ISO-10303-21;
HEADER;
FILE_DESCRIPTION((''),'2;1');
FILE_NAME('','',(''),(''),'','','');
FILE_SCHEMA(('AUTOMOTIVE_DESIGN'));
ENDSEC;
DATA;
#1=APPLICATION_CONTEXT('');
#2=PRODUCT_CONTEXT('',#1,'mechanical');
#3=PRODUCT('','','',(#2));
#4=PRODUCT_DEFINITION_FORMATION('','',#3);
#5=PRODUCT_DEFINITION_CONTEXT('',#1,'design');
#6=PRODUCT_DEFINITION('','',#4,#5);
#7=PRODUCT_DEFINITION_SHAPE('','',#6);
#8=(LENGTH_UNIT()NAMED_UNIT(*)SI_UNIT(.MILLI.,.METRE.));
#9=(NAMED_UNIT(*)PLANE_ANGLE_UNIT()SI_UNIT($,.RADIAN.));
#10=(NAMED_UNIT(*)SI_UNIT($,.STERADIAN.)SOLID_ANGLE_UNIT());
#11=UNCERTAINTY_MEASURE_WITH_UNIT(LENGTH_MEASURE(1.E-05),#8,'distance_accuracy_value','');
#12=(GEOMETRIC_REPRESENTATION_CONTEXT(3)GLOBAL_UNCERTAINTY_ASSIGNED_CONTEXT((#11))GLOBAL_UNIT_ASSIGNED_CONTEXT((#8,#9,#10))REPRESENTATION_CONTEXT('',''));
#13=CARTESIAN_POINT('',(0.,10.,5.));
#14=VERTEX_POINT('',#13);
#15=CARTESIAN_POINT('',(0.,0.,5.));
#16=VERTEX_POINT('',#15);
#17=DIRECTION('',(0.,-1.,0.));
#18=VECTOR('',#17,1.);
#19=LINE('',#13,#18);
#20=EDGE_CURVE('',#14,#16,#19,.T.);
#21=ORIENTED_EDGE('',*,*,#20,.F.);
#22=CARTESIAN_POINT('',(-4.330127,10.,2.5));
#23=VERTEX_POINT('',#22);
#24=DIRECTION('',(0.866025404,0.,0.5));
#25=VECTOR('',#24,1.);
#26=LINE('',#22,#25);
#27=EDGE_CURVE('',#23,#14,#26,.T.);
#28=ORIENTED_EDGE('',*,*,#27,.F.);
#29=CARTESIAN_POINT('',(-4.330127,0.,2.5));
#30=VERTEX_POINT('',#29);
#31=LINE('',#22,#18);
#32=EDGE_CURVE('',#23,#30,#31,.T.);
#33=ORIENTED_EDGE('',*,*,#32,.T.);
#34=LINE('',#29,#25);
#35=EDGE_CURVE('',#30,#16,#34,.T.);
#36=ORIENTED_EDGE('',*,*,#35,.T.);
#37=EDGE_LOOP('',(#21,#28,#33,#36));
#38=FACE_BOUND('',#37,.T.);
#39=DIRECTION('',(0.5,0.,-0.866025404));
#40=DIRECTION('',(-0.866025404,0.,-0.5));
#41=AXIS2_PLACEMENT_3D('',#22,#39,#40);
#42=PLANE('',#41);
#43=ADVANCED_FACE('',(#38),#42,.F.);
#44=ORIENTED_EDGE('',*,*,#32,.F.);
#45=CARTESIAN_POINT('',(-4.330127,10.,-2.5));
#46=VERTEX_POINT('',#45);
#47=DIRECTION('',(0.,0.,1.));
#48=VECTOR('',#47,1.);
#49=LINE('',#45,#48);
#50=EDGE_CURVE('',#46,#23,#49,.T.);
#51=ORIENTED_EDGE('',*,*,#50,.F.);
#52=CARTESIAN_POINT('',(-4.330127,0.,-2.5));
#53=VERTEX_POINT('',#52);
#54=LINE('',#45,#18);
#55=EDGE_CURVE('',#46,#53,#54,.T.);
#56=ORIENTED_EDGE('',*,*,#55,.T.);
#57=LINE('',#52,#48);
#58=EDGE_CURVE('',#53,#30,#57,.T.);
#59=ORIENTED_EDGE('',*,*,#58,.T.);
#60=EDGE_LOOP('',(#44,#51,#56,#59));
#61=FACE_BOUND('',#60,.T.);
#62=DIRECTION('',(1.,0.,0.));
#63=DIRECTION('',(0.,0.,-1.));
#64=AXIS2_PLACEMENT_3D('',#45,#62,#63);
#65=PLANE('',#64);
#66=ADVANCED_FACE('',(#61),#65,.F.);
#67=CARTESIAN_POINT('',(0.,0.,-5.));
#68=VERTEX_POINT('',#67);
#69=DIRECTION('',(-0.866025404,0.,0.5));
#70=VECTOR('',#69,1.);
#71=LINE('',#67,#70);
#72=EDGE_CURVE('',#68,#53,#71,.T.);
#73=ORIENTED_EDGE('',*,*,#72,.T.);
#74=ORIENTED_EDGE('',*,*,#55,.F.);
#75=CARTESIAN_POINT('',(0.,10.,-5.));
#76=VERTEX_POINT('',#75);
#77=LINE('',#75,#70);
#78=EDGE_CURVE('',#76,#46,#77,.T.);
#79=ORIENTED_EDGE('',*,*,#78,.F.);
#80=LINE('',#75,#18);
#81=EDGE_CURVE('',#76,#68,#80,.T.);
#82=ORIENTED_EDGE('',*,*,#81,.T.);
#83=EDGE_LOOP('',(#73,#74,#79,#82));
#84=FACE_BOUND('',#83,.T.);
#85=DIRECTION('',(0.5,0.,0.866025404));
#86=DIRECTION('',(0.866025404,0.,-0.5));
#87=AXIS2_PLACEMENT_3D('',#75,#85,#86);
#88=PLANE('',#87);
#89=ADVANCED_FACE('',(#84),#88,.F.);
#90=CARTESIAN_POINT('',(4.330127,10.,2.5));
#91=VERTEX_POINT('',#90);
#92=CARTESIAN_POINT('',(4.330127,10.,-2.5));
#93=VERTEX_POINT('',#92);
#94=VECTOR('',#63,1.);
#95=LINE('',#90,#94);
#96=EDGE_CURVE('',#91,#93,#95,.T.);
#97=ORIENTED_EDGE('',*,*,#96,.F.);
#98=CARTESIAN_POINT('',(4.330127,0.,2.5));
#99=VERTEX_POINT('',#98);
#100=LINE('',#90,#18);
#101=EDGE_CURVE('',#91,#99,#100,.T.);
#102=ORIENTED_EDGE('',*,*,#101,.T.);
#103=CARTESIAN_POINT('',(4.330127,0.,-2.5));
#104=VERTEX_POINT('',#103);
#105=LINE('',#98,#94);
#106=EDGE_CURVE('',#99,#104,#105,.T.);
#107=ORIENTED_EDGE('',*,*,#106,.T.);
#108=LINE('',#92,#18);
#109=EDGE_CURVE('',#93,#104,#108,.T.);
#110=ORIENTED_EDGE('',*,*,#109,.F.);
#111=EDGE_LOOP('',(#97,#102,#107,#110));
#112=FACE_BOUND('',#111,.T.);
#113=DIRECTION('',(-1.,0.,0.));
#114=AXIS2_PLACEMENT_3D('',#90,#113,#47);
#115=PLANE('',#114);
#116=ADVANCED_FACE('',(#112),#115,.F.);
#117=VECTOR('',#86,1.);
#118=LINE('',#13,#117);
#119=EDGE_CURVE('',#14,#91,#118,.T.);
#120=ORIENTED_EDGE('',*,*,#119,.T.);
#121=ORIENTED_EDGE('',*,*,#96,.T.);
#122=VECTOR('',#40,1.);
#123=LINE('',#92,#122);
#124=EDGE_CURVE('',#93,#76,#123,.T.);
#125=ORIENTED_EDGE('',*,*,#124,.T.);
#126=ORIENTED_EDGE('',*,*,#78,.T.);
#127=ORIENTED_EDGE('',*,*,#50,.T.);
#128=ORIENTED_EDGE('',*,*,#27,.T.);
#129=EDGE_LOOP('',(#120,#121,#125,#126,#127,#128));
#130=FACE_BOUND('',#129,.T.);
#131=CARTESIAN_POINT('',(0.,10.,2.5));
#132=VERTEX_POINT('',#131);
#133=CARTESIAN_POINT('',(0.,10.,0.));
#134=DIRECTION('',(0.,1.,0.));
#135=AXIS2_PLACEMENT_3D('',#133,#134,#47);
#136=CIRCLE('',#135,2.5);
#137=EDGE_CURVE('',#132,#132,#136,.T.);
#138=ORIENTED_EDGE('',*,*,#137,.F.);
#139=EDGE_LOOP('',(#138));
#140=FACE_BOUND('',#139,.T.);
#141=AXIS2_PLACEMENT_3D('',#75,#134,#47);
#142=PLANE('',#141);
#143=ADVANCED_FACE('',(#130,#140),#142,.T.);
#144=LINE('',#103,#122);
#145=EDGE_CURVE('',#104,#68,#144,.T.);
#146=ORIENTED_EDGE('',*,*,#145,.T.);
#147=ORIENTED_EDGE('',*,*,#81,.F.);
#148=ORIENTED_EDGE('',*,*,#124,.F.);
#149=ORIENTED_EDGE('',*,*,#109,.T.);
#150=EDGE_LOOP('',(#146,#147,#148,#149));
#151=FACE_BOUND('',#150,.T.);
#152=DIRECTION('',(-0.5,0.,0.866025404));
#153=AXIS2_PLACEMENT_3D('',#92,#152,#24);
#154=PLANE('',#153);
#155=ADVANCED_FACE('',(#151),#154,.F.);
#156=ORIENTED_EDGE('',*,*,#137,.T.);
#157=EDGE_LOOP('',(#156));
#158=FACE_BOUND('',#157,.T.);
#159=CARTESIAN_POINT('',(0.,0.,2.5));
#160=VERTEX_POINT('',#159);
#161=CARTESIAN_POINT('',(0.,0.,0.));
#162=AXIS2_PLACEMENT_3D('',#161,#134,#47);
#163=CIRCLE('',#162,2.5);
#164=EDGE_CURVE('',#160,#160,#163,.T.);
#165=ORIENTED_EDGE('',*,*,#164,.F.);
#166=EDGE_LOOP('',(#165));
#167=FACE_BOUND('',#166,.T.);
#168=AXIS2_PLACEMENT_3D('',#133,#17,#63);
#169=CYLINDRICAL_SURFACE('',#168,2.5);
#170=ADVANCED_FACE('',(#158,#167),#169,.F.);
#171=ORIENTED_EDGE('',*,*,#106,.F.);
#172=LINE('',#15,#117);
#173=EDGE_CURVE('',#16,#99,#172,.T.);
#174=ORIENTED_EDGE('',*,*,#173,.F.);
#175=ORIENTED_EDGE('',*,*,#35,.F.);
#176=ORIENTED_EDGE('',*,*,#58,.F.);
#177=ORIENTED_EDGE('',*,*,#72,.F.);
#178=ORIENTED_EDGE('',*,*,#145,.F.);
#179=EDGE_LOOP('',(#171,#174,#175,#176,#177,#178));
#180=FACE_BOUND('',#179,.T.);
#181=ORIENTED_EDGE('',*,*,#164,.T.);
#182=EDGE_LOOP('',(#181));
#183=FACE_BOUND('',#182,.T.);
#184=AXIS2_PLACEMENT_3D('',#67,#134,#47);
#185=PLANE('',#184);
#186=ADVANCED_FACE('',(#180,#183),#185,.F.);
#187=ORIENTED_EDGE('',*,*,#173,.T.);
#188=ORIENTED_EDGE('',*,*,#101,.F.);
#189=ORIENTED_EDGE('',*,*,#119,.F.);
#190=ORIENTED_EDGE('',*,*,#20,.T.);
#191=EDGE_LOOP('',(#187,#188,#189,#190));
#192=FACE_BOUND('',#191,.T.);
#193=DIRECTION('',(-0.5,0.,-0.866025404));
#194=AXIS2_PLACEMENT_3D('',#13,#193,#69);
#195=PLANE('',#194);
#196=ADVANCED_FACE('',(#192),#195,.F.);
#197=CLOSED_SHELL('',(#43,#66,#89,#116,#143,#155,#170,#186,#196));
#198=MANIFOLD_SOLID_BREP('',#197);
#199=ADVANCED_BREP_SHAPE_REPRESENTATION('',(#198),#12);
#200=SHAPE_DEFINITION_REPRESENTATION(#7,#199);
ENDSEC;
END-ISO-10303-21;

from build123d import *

# Parameters (mm, degrees)
ESQUISSE1_R      = 2.5
EXTRUSION1_DEPTH = 10


with BuildPart() as part:
    # Esquisse1 → Extrusion1 (new body)
    with BuildSketch(Plane(origin=(0, 0, 0), x_dir=(1, 0, 0), z_dir=(0, 1, 0))):
        Polygon((0, 5), (-4.330127019, 2.5), (-4.330127019, -2.5), (0, -5), (4.330127019, -2.5), (4.330127019, 2.5), align=None)
        Circle(ESQUISSE1_R, mode=Mode.SUBTRACT)
    extrude(amount=EXTRUSION1_DEPTH)


solid = part.part
